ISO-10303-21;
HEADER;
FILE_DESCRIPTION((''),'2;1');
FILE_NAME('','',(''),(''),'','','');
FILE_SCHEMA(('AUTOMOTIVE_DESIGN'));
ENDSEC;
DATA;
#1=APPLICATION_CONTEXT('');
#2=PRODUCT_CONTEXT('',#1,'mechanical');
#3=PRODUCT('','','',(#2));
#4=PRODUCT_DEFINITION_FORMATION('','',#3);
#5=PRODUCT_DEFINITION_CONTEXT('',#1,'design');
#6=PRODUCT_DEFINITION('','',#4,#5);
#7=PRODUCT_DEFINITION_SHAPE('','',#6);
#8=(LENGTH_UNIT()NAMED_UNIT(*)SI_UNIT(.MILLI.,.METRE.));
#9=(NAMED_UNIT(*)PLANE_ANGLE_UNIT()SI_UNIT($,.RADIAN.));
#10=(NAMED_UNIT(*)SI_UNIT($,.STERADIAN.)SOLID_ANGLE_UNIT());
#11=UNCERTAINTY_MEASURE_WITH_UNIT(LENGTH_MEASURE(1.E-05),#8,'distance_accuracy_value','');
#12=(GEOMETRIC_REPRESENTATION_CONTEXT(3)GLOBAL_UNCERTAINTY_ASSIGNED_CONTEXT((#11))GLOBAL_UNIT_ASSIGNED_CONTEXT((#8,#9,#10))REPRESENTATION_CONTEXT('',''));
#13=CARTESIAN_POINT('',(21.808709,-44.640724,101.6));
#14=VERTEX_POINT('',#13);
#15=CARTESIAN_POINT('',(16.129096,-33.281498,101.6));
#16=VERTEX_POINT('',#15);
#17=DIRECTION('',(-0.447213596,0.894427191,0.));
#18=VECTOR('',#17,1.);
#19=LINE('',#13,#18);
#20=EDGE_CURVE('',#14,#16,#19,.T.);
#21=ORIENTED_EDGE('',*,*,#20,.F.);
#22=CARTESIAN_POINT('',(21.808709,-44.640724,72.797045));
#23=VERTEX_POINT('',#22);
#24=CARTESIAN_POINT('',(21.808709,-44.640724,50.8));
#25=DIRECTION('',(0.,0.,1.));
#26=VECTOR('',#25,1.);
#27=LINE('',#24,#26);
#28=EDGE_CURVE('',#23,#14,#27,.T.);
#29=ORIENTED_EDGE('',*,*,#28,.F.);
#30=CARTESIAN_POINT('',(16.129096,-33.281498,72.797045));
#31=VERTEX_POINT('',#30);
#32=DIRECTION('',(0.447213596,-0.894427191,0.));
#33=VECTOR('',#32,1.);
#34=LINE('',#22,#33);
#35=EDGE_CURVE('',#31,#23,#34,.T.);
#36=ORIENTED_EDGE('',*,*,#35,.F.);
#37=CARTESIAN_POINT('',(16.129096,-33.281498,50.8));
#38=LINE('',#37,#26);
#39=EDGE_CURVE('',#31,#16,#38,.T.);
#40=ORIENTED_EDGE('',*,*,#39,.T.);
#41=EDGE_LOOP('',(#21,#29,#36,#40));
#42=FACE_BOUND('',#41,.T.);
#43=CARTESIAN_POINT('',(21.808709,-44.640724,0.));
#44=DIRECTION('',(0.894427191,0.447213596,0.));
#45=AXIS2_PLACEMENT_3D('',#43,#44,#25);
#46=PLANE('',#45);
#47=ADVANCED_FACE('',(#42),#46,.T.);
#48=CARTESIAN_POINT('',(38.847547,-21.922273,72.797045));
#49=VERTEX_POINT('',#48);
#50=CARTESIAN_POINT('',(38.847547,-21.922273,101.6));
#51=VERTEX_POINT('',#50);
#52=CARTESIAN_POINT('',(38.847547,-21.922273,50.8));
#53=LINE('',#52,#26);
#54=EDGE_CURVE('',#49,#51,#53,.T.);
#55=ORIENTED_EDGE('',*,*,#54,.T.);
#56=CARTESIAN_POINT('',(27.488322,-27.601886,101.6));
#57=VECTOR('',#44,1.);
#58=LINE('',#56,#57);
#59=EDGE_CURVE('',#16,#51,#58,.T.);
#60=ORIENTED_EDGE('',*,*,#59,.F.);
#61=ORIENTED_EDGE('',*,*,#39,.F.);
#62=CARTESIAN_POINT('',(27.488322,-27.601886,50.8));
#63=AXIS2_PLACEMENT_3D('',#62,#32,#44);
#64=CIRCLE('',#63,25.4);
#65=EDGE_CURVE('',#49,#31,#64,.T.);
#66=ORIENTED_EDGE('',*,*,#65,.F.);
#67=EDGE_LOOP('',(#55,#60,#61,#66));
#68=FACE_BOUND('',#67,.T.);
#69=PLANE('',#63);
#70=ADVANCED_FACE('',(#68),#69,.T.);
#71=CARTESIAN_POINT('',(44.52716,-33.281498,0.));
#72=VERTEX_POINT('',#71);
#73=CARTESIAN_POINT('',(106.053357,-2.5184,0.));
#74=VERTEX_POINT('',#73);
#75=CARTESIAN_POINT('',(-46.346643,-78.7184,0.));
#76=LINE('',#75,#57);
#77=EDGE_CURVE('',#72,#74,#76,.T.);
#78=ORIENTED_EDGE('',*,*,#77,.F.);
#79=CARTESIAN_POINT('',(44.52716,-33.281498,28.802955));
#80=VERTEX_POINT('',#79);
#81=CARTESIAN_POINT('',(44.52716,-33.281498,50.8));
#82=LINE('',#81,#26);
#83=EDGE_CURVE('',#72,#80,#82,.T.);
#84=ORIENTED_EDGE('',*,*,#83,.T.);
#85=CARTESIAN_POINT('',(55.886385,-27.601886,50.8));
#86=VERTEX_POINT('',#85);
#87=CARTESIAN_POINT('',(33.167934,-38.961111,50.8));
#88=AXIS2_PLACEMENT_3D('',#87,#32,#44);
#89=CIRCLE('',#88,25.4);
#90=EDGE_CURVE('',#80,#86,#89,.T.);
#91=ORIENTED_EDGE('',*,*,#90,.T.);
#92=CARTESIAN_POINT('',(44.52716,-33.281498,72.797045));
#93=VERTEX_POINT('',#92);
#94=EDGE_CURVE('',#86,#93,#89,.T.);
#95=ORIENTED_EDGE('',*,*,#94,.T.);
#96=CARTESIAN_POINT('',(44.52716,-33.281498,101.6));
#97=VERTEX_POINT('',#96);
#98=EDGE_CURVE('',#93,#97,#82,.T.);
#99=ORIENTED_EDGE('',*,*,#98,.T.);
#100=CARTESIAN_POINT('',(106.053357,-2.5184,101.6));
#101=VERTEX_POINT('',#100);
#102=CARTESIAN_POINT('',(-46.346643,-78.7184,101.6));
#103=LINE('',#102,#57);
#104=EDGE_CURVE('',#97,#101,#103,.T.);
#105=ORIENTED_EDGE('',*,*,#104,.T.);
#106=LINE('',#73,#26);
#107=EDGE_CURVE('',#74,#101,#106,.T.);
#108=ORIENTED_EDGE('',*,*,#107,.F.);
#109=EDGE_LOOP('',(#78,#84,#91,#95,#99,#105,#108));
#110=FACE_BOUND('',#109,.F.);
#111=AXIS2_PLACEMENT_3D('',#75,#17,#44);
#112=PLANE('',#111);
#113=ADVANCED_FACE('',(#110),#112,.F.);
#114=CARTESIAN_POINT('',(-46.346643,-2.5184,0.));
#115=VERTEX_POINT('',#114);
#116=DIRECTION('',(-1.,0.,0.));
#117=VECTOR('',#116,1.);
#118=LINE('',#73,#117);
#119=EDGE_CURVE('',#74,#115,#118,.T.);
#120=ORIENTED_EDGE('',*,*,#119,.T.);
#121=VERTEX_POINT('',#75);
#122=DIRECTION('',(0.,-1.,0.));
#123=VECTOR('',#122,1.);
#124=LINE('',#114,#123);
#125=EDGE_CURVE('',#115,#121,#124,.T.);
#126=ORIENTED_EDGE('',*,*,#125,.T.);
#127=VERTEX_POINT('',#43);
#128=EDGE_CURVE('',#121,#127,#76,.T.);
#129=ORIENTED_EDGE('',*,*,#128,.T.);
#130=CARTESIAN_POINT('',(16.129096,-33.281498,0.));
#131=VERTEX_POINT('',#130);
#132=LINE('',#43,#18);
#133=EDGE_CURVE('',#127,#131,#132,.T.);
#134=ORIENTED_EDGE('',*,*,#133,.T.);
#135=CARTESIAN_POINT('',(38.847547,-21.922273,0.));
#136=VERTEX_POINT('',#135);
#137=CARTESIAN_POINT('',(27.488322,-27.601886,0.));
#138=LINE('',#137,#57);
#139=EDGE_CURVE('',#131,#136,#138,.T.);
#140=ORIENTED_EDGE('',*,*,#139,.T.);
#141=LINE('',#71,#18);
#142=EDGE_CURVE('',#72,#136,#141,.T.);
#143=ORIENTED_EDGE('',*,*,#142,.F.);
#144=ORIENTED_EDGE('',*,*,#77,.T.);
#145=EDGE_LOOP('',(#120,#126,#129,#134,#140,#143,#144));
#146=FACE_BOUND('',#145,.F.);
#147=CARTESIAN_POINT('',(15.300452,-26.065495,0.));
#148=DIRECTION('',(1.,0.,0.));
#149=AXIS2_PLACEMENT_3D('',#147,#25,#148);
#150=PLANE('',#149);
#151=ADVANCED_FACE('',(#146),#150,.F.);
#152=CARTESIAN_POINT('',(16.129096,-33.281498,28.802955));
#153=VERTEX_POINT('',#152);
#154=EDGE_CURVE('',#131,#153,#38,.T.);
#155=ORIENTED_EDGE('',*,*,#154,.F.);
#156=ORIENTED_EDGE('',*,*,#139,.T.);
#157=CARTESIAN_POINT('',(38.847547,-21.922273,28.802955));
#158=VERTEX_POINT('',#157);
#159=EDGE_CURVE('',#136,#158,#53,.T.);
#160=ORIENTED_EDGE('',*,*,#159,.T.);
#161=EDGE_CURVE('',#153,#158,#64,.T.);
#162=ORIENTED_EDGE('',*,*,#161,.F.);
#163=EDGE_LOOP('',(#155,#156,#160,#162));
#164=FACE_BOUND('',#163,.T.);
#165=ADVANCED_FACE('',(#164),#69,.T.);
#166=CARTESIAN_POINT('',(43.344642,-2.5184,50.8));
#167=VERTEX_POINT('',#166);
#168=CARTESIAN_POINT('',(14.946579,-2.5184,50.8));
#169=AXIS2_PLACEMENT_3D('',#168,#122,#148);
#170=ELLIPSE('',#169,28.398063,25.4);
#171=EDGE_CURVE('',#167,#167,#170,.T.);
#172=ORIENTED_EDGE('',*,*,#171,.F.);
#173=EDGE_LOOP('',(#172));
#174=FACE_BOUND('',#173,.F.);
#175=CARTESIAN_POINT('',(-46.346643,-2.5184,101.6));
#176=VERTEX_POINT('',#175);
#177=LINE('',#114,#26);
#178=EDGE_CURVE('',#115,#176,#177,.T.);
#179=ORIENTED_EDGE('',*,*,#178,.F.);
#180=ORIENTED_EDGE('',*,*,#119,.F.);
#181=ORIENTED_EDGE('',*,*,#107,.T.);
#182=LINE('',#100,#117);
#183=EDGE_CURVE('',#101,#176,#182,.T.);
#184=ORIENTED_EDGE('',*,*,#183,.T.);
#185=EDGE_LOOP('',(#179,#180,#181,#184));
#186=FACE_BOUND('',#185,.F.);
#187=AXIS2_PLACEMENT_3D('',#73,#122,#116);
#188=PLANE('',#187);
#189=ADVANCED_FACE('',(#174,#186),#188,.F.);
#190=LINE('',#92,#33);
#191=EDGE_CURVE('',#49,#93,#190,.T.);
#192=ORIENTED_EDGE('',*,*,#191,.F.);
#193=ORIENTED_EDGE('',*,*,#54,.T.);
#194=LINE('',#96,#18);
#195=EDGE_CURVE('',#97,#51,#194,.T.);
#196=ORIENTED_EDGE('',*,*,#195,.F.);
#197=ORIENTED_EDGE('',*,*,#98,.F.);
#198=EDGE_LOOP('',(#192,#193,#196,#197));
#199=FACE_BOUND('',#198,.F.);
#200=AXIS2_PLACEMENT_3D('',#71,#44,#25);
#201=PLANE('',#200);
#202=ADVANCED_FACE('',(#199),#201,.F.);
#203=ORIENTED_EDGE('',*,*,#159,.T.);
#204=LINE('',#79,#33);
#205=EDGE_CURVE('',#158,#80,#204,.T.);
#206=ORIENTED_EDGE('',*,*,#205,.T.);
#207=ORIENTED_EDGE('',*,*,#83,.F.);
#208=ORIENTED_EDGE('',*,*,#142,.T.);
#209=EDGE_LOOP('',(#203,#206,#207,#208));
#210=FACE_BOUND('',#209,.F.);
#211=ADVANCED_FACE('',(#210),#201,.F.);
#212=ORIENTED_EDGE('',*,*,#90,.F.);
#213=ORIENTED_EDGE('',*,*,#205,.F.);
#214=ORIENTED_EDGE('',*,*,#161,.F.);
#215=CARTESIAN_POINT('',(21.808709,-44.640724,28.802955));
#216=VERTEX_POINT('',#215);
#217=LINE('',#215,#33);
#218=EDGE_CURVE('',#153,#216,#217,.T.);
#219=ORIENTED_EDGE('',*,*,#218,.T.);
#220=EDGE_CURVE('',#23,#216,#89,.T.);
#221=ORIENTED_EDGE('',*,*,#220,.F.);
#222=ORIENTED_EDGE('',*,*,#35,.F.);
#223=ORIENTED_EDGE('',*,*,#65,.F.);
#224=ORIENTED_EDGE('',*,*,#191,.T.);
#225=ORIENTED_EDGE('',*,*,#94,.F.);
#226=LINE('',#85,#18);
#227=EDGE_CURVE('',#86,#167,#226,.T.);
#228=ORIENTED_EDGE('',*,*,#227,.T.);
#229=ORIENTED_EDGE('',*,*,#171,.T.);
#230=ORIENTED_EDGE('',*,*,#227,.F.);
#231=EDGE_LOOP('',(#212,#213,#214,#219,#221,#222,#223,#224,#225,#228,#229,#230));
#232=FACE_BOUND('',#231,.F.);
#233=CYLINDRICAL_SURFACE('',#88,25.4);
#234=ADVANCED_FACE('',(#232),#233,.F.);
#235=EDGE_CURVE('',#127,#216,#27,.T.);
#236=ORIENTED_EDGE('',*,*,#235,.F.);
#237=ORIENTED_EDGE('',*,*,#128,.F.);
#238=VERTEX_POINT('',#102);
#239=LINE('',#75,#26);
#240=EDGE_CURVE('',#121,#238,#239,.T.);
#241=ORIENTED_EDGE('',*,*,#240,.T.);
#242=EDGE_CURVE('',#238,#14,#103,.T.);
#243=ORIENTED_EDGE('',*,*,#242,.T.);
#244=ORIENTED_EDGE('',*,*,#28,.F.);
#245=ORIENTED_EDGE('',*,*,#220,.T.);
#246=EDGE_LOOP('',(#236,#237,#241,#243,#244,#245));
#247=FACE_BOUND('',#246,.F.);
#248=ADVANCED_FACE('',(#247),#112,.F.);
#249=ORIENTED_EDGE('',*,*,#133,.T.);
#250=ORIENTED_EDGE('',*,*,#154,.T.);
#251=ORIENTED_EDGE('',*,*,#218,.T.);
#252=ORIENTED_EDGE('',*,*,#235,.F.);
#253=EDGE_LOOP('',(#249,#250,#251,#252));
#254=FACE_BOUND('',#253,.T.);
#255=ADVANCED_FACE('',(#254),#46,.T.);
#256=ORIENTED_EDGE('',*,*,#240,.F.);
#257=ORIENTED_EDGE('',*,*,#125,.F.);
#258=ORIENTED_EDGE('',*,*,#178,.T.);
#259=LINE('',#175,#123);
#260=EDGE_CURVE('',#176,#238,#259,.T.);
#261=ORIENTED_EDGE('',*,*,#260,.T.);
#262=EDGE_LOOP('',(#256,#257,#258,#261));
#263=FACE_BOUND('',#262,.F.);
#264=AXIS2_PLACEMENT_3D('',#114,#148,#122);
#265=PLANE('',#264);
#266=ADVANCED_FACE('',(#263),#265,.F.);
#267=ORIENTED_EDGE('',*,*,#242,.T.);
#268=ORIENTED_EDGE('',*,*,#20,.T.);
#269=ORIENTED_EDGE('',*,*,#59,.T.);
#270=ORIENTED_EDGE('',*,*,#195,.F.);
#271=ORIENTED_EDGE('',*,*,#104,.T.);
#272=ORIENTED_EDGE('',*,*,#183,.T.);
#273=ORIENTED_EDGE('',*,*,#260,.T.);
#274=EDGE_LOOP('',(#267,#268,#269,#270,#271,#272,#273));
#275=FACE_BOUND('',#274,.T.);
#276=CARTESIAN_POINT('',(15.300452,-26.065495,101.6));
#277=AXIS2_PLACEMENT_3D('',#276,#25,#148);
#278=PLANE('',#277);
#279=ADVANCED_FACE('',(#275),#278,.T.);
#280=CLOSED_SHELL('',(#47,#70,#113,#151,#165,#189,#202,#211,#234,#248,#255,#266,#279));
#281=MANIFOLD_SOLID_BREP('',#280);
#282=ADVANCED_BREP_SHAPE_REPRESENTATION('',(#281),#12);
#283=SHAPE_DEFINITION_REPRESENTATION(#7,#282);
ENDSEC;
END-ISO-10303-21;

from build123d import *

# Parameters (mm, degrees)
F1_DEPTH = 101.6
F2_W     = 25.4
F2_H     = 101.6
F4_DEPTH = 12.7
F3_R     = 25.4
F5_DEPTH = 110.49


with BuildPart() as f1:
    # F0 (on Top) → F1 (new body)
    with BuildSketch(Plane.XY):
        Polygon((106.0533570021, -2.5183995773), (-46.3466429979, -2.5183995773), (-46.3466429979, -78.7183995773), align=None)
    extrude(amount=F1_DEPTH)

    # F2 (on face) → F4 (cut)
    with BuildSketch(Plane(origin=(22.2180312314, -44.4360624627, 0), x_dir=(0.894427191, 0.4472135955, 0), z_dir=(0.4472135955, -0.894427191, 0))):
        with Locations((12.2423637842, 50.8)):
            Rectangle(F2_W, F2_H)
    extrude(amount=-F4_DEPTH, mode=Mode.SUBTRACT)

    # F3 (on face) → F5 (cut)
    with BuildSketch(Plane(origin=(22.2180312314, -44.4360624627, 0), x_dir=(0.894427191, 0.4472135955, 0), z_dir=(0.4472135955, -0.894427191, 0))):
        with Locations((12.2423637842, 50.8)):
            Circle(F3_R)
    extrude(amount=-F5_DEPTH, mode=Mode.SUBTRACT)


solid = f1.part
